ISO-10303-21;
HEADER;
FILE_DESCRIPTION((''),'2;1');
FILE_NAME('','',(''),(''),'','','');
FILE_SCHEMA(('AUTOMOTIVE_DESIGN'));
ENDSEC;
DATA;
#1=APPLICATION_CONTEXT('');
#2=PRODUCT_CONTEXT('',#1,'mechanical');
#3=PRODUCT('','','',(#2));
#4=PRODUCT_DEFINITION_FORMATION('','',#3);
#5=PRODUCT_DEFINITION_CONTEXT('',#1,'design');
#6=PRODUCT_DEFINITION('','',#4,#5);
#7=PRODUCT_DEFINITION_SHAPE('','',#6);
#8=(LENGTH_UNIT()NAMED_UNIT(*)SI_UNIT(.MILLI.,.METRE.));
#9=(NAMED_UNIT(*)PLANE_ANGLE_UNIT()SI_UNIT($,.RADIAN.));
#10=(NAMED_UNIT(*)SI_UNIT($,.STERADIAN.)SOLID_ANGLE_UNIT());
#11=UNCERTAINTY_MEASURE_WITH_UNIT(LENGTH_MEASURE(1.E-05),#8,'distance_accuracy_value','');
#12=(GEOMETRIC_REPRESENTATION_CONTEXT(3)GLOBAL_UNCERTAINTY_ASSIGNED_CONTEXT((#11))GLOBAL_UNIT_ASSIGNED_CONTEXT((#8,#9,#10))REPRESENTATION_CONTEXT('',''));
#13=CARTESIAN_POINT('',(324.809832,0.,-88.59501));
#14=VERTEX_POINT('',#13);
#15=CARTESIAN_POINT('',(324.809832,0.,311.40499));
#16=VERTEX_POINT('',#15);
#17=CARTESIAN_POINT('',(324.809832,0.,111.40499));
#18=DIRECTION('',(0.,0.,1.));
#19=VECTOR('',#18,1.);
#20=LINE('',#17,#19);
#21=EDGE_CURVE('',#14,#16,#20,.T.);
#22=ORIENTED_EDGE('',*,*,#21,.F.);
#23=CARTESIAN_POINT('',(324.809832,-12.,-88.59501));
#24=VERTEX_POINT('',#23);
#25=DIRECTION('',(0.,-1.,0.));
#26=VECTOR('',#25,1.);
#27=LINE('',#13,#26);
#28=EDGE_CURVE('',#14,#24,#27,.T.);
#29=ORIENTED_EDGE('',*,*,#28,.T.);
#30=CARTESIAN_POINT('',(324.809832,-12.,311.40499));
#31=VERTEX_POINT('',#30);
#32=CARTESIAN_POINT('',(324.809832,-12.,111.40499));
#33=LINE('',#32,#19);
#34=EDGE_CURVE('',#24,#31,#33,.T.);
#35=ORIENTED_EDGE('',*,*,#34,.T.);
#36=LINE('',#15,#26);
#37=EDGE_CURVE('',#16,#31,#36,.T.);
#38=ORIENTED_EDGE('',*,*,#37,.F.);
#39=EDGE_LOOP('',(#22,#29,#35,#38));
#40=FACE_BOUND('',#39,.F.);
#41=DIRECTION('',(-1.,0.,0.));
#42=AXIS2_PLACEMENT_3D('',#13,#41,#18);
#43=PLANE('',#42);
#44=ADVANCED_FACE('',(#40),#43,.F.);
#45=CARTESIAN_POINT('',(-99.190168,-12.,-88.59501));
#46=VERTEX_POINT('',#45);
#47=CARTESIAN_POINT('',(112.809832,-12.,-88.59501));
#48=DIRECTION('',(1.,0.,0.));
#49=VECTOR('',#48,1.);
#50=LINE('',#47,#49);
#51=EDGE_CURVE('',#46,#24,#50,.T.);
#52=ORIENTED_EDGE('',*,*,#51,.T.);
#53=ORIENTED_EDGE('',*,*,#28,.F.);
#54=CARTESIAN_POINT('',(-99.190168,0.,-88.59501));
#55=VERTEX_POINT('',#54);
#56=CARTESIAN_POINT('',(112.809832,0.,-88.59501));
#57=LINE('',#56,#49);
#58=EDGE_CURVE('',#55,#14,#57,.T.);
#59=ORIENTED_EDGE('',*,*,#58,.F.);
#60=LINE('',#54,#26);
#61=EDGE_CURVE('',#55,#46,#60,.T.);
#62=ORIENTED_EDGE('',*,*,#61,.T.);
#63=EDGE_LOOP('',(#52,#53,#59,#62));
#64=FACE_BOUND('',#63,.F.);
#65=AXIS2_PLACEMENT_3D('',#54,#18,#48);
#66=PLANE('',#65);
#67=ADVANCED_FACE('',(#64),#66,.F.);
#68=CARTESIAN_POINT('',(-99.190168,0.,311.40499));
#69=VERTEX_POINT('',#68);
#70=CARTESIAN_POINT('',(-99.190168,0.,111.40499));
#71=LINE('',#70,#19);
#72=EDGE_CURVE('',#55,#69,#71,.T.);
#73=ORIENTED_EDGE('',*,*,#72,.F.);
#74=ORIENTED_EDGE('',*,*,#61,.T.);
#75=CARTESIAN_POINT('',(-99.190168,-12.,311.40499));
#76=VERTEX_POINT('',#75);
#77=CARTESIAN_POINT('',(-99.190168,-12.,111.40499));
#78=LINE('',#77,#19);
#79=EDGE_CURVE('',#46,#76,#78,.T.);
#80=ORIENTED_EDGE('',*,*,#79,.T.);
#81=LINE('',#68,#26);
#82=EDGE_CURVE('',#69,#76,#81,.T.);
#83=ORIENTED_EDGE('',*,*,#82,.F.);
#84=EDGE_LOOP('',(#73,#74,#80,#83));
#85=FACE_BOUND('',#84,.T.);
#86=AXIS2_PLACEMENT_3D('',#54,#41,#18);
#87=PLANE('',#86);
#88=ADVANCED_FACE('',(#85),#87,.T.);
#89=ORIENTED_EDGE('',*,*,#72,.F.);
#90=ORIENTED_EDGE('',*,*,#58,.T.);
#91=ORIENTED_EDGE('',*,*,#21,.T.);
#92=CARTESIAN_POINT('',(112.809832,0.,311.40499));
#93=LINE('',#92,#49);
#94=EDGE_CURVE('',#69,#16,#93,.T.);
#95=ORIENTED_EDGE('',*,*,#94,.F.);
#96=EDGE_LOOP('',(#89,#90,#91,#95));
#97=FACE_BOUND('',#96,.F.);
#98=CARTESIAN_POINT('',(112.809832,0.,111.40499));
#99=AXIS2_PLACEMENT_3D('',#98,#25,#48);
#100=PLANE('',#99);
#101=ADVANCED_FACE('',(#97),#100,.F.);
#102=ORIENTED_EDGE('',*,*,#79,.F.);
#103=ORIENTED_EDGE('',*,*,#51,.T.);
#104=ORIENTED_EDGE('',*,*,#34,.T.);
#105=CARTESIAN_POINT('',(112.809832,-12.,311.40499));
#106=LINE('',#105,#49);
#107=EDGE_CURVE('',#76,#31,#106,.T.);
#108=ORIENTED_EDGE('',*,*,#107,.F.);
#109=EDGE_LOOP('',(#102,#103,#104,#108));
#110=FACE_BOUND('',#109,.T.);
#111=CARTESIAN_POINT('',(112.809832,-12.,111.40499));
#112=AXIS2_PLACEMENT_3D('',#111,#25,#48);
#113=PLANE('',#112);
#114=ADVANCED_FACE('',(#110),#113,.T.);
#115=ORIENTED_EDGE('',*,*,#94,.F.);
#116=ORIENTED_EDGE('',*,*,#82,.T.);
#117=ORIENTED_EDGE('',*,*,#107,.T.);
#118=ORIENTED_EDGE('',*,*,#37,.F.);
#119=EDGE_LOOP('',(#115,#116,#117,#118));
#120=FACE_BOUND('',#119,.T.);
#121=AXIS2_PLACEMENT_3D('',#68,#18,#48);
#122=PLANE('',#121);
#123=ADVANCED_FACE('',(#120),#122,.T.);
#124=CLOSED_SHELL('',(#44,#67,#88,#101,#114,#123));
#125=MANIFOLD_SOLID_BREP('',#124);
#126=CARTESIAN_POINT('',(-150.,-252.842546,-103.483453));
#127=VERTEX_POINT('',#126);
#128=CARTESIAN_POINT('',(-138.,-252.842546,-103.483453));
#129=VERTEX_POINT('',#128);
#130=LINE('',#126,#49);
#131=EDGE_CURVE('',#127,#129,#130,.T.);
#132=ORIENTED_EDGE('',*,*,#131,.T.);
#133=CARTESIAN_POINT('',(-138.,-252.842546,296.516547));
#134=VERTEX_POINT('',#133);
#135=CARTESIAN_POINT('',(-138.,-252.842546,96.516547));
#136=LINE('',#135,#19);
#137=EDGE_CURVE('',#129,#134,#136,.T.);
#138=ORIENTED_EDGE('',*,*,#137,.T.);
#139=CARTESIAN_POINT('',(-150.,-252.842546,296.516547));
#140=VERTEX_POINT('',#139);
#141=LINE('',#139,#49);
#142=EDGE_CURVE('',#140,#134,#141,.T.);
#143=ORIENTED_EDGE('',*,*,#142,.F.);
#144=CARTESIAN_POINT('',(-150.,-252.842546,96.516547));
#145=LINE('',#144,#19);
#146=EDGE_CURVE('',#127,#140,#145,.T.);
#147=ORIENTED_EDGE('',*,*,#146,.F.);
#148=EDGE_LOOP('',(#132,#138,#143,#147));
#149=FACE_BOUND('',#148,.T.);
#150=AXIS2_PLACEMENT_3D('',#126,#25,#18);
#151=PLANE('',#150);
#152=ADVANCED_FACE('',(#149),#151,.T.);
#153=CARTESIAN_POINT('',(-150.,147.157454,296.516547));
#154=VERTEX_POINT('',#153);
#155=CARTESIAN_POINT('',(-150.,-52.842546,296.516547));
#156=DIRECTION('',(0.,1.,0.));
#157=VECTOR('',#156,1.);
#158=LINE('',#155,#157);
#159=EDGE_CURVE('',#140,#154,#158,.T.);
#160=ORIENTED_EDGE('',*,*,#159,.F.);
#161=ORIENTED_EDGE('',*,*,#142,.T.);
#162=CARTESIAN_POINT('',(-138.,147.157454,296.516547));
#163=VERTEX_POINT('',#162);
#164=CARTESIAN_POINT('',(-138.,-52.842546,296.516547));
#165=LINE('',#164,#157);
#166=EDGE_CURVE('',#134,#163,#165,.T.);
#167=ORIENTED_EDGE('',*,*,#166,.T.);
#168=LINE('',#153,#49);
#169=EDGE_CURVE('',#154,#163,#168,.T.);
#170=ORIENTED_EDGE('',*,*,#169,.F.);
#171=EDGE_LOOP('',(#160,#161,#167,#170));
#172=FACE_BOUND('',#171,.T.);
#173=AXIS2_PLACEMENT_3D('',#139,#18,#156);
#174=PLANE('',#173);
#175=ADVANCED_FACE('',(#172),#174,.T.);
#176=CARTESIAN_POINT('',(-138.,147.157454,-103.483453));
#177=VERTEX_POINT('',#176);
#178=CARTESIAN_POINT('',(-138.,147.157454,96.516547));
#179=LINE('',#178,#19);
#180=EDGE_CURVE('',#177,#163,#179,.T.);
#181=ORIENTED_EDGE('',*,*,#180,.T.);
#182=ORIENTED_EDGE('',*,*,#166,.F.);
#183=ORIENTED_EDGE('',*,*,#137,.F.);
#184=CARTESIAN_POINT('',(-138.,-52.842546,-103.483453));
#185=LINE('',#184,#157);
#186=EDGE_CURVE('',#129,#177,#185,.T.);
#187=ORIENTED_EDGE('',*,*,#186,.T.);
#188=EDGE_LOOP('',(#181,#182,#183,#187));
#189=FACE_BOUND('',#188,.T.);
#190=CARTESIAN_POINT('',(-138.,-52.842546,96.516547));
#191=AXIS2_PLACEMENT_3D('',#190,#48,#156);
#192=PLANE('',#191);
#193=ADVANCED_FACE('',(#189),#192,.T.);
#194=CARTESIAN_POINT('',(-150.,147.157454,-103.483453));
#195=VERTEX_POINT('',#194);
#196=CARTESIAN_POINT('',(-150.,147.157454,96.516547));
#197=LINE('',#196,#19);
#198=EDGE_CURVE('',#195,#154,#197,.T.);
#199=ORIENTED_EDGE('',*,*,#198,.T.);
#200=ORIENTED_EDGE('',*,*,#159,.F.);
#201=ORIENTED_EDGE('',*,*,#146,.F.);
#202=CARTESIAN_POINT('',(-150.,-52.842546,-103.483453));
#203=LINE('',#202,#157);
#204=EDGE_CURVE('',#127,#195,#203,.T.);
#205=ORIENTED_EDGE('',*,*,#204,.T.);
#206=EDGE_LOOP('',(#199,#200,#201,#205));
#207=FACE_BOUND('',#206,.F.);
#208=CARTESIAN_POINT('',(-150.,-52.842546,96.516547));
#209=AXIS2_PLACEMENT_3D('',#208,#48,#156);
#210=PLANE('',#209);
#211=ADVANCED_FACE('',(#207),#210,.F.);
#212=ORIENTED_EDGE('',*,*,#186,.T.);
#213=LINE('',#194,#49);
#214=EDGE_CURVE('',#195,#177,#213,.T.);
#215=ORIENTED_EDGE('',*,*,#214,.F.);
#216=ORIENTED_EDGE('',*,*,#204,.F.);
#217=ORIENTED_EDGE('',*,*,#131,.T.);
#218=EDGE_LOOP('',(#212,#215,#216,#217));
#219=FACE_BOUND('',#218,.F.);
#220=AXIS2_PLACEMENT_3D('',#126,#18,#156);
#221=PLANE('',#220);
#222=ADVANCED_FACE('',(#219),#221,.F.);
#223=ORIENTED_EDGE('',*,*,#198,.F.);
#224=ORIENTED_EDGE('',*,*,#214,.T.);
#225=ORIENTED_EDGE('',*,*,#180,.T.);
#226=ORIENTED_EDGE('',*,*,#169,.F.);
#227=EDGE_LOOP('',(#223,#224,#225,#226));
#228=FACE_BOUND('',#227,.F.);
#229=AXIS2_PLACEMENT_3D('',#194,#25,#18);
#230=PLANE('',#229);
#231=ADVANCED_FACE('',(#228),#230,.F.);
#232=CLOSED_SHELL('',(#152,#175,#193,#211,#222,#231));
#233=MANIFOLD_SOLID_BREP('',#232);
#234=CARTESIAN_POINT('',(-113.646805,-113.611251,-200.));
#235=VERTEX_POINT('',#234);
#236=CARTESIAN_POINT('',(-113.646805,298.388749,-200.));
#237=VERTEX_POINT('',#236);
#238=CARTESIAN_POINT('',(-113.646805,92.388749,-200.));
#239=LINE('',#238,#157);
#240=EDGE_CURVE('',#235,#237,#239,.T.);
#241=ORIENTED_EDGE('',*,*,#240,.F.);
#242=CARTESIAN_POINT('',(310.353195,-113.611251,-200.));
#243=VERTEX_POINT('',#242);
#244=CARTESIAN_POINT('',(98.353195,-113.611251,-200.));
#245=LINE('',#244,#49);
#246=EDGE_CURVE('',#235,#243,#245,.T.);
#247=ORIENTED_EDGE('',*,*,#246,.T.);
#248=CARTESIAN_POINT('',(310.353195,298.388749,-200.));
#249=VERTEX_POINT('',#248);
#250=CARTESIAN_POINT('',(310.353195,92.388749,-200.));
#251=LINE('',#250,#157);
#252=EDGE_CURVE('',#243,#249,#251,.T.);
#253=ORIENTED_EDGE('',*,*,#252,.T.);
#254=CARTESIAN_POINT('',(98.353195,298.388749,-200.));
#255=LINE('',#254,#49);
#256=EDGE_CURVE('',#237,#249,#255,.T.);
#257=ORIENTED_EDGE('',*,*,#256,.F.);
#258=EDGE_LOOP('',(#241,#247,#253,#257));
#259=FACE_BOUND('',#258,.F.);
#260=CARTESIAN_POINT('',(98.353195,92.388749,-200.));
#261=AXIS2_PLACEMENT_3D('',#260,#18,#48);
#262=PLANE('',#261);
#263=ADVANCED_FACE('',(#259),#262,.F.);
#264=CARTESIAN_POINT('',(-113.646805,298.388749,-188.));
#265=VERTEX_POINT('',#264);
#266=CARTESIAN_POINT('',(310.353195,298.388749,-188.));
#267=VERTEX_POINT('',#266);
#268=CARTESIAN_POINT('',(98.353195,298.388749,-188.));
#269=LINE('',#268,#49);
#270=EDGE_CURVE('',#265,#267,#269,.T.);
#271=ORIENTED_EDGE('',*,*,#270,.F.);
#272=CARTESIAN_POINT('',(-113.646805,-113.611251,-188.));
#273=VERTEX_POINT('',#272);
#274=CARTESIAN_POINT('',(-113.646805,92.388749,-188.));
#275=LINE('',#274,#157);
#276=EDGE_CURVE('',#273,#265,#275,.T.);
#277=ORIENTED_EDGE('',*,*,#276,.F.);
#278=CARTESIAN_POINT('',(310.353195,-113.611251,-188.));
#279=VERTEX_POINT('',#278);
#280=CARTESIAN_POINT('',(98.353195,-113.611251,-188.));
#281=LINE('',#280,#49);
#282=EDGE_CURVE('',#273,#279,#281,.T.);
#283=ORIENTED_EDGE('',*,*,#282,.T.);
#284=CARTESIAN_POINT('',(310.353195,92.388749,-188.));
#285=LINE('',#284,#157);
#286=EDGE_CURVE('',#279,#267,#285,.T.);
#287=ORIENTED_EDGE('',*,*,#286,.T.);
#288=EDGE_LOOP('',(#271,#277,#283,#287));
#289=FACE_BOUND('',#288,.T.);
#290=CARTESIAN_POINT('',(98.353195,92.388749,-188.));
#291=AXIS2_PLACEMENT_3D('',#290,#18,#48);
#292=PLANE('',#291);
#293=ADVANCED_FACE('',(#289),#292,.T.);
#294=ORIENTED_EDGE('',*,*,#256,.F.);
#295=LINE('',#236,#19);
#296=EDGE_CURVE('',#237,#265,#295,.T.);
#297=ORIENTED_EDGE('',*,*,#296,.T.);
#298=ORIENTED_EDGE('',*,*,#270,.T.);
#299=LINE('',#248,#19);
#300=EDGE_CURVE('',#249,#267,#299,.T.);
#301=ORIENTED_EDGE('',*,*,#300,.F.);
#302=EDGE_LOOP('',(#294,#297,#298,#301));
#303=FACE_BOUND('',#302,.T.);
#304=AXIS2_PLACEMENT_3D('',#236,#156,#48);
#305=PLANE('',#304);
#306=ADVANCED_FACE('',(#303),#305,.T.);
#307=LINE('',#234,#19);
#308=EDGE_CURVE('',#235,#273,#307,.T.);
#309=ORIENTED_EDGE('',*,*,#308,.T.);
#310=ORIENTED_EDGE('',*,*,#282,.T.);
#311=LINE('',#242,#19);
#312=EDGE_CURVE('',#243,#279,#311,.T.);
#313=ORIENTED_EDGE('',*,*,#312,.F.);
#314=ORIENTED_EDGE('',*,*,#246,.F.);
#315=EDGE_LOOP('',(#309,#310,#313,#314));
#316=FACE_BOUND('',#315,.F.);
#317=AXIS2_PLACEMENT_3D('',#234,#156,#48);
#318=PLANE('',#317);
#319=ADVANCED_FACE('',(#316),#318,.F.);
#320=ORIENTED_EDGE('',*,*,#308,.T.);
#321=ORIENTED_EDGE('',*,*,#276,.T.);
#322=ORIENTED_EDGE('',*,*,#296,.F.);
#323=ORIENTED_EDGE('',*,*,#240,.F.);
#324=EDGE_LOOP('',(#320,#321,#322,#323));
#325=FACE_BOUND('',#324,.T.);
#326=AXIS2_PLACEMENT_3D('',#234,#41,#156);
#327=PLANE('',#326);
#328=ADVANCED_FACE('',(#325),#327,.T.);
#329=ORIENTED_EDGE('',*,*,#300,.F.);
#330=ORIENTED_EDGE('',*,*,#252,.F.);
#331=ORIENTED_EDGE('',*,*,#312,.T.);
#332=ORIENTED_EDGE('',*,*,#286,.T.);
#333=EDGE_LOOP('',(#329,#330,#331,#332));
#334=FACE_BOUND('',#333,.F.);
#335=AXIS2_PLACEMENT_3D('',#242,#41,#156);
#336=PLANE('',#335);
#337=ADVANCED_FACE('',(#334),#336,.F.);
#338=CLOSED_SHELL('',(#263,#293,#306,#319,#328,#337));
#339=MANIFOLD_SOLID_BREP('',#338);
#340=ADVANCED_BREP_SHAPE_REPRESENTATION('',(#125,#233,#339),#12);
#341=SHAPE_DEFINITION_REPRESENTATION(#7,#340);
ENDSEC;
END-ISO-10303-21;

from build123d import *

# Parameters (mm, degrees)
F0_W     = 424
F0_H     = 400
F1_DEPTH = 12
F3_W     = 424
F3_H     = 412
F4_DEPTH = 12
F6_W     = 400
F6_H     = 400
F7_DEPTH = 12


with BuildPart() as f1:
    # F0 (on Front) → F1 (new body)
    with BuildSketch(Plane.XZ):
        with Locations((112.809832, 111.40499)):
            Rectangle(F0_W, F0_H)
    extrude(amount=F1_DEPTH)


with BuildPart() as f4:
    # F3 (on offset) → F4 (new body)
    with BuildSketch(Plane.XY.offset(-200)):
        with Locations((98.353195, 92.388749)):
            Rectangle(F3_W, F3_H)
    extrude(amount=F4_DEPTH)


with BuildPart() as f7:
    # F6 (on offset) → F7 (new body)
    with BuildSketch(Plane.YZ.offset(-150)):
        with Locations((-52.842546, 96.516547)):
            Rectangle(F6_W, F6_H)
    extrude(amount=F7_DEPTH)


solid = Compound([f1.part, f4.part, f7.part])
